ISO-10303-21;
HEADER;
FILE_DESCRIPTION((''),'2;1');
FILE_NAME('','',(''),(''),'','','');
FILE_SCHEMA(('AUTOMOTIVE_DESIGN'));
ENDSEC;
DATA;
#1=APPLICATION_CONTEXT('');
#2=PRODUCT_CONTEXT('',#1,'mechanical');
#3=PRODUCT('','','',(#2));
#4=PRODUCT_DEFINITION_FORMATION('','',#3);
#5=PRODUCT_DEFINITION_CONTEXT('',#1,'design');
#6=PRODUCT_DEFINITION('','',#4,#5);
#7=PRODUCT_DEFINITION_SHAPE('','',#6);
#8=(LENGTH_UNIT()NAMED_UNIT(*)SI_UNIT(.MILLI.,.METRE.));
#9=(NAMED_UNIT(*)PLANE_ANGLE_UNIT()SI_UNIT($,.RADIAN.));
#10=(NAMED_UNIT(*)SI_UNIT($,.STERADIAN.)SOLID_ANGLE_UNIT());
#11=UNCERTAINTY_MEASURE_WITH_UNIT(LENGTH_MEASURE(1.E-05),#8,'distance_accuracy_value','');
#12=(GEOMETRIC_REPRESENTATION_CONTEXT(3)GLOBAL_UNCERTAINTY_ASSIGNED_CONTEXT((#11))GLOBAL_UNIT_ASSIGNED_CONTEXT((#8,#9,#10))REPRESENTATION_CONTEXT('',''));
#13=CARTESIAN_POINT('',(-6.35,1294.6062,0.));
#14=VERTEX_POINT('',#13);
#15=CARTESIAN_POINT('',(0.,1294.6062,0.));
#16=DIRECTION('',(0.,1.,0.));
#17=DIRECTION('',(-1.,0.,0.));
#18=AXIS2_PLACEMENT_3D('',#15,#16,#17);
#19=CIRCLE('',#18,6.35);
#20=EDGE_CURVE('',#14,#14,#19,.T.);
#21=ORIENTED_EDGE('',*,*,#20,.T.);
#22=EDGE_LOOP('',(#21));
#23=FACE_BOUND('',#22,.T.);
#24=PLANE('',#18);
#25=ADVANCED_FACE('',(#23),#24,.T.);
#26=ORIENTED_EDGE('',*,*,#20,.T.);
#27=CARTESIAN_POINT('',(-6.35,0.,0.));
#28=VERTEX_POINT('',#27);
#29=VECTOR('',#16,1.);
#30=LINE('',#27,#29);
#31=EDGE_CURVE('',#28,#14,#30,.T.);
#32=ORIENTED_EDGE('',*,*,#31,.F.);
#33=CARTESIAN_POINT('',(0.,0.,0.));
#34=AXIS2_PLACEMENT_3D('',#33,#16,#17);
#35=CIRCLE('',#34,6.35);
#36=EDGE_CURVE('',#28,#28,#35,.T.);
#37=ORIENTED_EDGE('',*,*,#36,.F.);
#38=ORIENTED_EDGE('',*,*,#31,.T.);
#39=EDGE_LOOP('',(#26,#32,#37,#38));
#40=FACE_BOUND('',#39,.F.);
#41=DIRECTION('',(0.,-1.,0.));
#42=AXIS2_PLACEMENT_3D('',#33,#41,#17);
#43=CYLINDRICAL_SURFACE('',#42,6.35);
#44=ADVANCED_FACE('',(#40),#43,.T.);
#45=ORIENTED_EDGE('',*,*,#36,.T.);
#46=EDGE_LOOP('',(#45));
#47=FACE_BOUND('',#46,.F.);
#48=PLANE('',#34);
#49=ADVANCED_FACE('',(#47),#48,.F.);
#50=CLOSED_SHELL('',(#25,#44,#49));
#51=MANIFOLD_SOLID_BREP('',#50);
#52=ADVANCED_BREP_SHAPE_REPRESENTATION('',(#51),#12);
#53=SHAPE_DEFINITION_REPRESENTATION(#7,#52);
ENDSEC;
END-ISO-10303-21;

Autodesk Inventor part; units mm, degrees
ref_plane "YZ Plane" through (0, 0, 0) normal (1, 0, 0) x (0, 1, 0)
ref_plane "XZ Plane" through (0, 0, 0) normal (0, 1, 0) x (-1, 0, 0)
ref_plane "XY Plane" through (0, 0, 0) normal (0, 0, 1) x (1, 0, 0)
sketch "Sketch1" plane through (0, 0, 0) normal (0, 1, 0) x (-1, 0, 0)
  circle A0 centre (0, 0) radius 6.35
  dimension "d0" = 12.7
extrude "Extrusion1" add sketch "Sketch1" along normal blind 1294.6062
properties part number "Rebar_With_Length_Of_38_Inches" material "Steel"
